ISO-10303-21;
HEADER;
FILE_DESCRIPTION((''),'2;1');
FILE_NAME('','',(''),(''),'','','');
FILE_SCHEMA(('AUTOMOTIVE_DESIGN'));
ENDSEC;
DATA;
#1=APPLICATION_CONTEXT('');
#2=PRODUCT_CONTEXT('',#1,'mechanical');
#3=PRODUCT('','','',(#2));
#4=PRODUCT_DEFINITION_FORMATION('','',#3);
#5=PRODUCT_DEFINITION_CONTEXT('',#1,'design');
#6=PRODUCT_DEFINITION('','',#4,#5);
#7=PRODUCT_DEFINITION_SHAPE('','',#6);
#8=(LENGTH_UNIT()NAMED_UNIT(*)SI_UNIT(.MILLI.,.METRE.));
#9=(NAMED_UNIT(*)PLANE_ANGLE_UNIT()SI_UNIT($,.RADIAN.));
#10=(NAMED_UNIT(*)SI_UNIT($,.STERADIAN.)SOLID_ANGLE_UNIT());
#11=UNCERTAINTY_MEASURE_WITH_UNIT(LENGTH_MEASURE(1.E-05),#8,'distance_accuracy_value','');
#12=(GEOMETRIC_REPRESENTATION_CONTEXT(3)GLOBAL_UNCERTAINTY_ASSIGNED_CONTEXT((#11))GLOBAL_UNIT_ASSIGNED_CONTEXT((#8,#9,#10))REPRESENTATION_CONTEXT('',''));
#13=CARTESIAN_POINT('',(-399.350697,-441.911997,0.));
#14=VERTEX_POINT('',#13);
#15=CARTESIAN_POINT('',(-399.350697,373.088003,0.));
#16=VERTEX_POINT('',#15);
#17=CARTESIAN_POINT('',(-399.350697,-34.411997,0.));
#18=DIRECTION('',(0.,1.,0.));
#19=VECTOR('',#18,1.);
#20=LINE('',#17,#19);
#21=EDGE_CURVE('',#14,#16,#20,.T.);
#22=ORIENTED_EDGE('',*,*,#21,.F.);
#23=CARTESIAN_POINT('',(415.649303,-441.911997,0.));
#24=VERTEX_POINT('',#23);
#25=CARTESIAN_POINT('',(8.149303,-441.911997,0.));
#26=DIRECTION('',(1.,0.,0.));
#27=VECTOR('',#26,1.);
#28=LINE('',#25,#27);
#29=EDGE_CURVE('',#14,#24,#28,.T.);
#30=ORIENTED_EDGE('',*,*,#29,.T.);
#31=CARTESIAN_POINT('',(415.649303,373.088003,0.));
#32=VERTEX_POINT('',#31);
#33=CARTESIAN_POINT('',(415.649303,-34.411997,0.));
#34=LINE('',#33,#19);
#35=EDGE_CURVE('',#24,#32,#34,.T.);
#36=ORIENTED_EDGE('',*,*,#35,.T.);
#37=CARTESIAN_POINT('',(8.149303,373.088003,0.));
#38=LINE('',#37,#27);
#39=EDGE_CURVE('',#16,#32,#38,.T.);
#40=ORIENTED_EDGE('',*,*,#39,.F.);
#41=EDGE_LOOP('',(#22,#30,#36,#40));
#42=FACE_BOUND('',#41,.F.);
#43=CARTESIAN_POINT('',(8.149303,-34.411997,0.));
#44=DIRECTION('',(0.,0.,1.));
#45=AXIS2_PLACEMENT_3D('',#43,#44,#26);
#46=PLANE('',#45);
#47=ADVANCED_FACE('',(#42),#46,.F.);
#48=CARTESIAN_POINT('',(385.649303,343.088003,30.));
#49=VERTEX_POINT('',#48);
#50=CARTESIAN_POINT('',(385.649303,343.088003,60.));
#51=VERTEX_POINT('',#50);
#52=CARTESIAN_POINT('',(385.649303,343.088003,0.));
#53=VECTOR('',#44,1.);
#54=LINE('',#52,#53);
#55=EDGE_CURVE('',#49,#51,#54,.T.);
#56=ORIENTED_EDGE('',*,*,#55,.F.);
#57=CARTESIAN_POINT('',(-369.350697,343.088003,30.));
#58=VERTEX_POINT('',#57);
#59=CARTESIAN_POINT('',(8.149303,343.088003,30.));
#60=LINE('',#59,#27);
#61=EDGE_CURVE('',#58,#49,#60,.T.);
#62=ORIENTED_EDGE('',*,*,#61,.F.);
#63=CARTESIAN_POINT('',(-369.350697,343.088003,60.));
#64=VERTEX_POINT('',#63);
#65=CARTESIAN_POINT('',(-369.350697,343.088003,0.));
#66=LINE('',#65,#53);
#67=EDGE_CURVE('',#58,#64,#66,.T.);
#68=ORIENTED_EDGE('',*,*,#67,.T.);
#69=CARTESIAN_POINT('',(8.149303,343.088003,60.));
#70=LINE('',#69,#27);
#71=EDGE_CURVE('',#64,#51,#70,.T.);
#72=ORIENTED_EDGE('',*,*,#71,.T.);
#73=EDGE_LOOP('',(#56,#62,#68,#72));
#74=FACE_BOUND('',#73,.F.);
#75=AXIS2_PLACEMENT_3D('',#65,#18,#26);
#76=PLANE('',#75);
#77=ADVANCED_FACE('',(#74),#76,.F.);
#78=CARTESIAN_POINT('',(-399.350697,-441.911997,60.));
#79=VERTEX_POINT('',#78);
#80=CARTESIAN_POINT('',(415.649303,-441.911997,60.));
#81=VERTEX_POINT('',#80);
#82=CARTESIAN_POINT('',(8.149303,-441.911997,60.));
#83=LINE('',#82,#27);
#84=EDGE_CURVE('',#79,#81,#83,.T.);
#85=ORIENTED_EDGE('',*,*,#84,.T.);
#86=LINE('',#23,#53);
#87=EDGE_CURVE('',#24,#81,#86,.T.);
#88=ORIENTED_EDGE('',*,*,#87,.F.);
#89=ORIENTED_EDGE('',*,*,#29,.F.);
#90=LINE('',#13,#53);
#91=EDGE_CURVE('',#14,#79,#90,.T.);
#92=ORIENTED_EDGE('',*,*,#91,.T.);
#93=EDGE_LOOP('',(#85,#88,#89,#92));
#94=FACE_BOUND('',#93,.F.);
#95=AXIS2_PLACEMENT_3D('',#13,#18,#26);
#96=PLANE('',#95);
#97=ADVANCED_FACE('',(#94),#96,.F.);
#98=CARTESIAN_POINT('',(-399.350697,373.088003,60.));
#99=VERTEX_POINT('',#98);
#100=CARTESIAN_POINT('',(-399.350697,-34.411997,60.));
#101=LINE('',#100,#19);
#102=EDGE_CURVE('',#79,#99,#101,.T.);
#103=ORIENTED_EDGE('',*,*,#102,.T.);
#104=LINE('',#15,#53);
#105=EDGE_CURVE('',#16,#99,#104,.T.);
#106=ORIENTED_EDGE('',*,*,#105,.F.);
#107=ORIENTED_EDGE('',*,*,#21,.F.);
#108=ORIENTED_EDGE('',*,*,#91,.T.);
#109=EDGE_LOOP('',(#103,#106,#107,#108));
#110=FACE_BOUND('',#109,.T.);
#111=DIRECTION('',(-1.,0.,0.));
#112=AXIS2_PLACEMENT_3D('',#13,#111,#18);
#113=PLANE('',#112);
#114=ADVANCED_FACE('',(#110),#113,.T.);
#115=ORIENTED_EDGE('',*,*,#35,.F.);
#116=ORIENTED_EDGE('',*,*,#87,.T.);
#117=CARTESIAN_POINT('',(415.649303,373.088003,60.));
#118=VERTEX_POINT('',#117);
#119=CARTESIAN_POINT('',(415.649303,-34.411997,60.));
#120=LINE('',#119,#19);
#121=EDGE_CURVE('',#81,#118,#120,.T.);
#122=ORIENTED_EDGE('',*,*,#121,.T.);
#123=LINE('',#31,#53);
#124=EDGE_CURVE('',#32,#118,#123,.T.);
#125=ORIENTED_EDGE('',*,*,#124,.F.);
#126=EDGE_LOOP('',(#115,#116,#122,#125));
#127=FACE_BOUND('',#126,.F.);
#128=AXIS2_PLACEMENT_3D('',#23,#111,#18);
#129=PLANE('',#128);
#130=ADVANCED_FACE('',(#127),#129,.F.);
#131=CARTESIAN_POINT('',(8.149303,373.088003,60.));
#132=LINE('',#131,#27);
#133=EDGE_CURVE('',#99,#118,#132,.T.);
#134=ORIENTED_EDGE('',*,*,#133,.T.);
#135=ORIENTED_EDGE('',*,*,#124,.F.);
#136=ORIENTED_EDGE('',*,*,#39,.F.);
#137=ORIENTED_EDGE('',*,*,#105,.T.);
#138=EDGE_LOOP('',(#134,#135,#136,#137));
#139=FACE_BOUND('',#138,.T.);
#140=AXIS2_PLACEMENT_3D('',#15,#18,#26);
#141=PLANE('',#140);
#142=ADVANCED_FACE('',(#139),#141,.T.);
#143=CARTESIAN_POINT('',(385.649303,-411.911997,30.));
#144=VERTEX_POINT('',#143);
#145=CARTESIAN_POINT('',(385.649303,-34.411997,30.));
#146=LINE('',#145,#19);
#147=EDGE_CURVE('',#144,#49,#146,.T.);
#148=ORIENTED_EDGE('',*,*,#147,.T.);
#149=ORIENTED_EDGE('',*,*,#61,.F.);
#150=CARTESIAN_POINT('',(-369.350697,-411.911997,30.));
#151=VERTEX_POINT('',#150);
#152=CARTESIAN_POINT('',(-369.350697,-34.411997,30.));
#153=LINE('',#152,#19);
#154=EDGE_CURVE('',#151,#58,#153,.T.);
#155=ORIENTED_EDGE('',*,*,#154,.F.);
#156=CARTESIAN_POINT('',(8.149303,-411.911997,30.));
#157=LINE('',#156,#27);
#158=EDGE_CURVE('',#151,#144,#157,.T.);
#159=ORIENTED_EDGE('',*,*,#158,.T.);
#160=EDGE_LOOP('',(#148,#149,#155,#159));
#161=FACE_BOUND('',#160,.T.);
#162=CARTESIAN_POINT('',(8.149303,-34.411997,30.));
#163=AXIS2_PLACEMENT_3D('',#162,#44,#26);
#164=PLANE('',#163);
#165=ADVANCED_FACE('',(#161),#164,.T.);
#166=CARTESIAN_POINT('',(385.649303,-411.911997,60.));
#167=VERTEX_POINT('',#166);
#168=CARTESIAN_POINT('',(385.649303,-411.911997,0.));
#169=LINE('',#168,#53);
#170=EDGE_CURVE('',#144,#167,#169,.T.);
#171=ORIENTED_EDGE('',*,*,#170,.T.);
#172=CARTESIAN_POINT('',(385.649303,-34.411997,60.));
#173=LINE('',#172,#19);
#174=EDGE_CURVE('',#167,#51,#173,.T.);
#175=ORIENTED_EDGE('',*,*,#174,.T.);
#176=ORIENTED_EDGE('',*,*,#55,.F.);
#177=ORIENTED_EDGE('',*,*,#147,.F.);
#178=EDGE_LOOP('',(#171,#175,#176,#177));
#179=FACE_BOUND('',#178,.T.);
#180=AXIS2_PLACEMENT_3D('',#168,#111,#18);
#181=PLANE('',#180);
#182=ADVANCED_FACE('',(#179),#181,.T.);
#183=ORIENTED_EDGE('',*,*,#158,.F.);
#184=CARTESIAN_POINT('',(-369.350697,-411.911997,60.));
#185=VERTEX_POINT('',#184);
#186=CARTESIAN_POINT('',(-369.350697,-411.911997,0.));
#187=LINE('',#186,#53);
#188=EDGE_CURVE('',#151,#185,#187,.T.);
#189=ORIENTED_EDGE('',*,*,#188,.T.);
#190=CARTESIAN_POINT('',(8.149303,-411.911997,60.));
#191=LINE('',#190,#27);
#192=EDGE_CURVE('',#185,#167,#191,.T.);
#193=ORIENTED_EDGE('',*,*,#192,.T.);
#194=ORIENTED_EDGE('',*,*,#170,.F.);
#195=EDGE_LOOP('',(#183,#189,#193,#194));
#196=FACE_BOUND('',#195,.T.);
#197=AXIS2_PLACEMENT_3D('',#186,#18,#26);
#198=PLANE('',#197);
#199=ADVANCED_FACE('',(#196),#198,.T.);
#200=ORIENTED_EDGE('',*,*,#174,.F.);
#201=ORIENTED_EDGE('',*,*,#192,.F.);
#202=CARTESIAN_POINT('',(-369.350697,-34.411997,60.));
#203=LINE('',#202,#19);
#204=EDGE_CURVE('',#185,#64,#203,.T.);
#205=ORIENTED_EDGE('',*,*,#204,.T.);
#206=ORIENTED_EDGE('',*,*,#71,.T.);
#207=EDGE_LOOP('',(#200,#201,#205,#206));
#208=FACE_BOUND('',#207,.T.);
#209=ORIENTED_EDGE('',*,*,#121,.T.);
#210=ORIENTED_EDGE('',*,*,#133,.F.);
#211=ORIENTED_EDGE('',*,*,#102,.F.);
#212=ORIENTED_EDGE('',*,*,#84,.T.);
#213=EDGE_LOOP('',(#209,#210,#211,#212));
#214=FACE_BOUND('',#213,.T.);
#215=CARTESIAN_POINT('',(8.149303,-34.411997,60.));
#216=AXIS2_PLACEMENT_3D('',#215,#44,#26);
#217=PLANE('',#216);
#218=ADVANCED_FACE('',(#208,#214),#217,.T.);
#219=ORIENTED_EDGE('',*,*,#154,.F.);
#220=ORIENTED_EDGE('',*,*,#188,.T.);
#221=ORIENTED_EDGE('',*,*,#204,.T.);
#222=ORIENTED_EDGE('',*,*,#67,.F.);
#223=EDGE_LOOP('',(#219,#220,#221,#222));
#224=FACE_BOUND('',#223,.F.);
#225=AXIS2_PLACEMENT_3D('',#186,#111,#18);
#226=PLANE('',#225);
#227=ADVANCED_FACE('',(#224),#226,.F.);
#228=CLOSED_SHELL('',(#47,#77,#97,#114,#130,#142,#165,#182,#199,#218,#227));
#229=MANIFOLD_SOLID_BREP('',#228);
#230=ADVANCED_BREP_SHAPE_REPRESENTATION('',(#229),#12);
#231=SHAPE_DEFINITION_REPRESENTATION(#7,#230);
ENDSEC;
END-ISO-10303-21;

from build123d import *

# Parameters (mm, degrees)
F0_W     = 755
F0_H     = 755
F1_DEPTH = 30
F0_W_2   = 815
F0_H_2   = 815
F2_DEPTH = 60


with BuildPart() as f1:
    # F0 (on Top) → F1 (new body)
    with BuildSketch(Plane.XY):
        with Locations((8.149303, -34.411997)):
            Rectangle(F0_W, F0_H)
    extrude(amount=F1_DEPTH)

    # F0 (on Top) → F2 (join)
    with BuildSketch(Plane.XY):
        with Locations((8.149303, -34.411997)):
            Rectangle(F0_W_2, F0_H_2)
        with Locations((8.149303, -34.411997)):
            Rectangle(F0_W, F0_H, mode=Mode.SUBTRACT)
    extrude(amount=F2_DEPTH)


solid = f1.part
